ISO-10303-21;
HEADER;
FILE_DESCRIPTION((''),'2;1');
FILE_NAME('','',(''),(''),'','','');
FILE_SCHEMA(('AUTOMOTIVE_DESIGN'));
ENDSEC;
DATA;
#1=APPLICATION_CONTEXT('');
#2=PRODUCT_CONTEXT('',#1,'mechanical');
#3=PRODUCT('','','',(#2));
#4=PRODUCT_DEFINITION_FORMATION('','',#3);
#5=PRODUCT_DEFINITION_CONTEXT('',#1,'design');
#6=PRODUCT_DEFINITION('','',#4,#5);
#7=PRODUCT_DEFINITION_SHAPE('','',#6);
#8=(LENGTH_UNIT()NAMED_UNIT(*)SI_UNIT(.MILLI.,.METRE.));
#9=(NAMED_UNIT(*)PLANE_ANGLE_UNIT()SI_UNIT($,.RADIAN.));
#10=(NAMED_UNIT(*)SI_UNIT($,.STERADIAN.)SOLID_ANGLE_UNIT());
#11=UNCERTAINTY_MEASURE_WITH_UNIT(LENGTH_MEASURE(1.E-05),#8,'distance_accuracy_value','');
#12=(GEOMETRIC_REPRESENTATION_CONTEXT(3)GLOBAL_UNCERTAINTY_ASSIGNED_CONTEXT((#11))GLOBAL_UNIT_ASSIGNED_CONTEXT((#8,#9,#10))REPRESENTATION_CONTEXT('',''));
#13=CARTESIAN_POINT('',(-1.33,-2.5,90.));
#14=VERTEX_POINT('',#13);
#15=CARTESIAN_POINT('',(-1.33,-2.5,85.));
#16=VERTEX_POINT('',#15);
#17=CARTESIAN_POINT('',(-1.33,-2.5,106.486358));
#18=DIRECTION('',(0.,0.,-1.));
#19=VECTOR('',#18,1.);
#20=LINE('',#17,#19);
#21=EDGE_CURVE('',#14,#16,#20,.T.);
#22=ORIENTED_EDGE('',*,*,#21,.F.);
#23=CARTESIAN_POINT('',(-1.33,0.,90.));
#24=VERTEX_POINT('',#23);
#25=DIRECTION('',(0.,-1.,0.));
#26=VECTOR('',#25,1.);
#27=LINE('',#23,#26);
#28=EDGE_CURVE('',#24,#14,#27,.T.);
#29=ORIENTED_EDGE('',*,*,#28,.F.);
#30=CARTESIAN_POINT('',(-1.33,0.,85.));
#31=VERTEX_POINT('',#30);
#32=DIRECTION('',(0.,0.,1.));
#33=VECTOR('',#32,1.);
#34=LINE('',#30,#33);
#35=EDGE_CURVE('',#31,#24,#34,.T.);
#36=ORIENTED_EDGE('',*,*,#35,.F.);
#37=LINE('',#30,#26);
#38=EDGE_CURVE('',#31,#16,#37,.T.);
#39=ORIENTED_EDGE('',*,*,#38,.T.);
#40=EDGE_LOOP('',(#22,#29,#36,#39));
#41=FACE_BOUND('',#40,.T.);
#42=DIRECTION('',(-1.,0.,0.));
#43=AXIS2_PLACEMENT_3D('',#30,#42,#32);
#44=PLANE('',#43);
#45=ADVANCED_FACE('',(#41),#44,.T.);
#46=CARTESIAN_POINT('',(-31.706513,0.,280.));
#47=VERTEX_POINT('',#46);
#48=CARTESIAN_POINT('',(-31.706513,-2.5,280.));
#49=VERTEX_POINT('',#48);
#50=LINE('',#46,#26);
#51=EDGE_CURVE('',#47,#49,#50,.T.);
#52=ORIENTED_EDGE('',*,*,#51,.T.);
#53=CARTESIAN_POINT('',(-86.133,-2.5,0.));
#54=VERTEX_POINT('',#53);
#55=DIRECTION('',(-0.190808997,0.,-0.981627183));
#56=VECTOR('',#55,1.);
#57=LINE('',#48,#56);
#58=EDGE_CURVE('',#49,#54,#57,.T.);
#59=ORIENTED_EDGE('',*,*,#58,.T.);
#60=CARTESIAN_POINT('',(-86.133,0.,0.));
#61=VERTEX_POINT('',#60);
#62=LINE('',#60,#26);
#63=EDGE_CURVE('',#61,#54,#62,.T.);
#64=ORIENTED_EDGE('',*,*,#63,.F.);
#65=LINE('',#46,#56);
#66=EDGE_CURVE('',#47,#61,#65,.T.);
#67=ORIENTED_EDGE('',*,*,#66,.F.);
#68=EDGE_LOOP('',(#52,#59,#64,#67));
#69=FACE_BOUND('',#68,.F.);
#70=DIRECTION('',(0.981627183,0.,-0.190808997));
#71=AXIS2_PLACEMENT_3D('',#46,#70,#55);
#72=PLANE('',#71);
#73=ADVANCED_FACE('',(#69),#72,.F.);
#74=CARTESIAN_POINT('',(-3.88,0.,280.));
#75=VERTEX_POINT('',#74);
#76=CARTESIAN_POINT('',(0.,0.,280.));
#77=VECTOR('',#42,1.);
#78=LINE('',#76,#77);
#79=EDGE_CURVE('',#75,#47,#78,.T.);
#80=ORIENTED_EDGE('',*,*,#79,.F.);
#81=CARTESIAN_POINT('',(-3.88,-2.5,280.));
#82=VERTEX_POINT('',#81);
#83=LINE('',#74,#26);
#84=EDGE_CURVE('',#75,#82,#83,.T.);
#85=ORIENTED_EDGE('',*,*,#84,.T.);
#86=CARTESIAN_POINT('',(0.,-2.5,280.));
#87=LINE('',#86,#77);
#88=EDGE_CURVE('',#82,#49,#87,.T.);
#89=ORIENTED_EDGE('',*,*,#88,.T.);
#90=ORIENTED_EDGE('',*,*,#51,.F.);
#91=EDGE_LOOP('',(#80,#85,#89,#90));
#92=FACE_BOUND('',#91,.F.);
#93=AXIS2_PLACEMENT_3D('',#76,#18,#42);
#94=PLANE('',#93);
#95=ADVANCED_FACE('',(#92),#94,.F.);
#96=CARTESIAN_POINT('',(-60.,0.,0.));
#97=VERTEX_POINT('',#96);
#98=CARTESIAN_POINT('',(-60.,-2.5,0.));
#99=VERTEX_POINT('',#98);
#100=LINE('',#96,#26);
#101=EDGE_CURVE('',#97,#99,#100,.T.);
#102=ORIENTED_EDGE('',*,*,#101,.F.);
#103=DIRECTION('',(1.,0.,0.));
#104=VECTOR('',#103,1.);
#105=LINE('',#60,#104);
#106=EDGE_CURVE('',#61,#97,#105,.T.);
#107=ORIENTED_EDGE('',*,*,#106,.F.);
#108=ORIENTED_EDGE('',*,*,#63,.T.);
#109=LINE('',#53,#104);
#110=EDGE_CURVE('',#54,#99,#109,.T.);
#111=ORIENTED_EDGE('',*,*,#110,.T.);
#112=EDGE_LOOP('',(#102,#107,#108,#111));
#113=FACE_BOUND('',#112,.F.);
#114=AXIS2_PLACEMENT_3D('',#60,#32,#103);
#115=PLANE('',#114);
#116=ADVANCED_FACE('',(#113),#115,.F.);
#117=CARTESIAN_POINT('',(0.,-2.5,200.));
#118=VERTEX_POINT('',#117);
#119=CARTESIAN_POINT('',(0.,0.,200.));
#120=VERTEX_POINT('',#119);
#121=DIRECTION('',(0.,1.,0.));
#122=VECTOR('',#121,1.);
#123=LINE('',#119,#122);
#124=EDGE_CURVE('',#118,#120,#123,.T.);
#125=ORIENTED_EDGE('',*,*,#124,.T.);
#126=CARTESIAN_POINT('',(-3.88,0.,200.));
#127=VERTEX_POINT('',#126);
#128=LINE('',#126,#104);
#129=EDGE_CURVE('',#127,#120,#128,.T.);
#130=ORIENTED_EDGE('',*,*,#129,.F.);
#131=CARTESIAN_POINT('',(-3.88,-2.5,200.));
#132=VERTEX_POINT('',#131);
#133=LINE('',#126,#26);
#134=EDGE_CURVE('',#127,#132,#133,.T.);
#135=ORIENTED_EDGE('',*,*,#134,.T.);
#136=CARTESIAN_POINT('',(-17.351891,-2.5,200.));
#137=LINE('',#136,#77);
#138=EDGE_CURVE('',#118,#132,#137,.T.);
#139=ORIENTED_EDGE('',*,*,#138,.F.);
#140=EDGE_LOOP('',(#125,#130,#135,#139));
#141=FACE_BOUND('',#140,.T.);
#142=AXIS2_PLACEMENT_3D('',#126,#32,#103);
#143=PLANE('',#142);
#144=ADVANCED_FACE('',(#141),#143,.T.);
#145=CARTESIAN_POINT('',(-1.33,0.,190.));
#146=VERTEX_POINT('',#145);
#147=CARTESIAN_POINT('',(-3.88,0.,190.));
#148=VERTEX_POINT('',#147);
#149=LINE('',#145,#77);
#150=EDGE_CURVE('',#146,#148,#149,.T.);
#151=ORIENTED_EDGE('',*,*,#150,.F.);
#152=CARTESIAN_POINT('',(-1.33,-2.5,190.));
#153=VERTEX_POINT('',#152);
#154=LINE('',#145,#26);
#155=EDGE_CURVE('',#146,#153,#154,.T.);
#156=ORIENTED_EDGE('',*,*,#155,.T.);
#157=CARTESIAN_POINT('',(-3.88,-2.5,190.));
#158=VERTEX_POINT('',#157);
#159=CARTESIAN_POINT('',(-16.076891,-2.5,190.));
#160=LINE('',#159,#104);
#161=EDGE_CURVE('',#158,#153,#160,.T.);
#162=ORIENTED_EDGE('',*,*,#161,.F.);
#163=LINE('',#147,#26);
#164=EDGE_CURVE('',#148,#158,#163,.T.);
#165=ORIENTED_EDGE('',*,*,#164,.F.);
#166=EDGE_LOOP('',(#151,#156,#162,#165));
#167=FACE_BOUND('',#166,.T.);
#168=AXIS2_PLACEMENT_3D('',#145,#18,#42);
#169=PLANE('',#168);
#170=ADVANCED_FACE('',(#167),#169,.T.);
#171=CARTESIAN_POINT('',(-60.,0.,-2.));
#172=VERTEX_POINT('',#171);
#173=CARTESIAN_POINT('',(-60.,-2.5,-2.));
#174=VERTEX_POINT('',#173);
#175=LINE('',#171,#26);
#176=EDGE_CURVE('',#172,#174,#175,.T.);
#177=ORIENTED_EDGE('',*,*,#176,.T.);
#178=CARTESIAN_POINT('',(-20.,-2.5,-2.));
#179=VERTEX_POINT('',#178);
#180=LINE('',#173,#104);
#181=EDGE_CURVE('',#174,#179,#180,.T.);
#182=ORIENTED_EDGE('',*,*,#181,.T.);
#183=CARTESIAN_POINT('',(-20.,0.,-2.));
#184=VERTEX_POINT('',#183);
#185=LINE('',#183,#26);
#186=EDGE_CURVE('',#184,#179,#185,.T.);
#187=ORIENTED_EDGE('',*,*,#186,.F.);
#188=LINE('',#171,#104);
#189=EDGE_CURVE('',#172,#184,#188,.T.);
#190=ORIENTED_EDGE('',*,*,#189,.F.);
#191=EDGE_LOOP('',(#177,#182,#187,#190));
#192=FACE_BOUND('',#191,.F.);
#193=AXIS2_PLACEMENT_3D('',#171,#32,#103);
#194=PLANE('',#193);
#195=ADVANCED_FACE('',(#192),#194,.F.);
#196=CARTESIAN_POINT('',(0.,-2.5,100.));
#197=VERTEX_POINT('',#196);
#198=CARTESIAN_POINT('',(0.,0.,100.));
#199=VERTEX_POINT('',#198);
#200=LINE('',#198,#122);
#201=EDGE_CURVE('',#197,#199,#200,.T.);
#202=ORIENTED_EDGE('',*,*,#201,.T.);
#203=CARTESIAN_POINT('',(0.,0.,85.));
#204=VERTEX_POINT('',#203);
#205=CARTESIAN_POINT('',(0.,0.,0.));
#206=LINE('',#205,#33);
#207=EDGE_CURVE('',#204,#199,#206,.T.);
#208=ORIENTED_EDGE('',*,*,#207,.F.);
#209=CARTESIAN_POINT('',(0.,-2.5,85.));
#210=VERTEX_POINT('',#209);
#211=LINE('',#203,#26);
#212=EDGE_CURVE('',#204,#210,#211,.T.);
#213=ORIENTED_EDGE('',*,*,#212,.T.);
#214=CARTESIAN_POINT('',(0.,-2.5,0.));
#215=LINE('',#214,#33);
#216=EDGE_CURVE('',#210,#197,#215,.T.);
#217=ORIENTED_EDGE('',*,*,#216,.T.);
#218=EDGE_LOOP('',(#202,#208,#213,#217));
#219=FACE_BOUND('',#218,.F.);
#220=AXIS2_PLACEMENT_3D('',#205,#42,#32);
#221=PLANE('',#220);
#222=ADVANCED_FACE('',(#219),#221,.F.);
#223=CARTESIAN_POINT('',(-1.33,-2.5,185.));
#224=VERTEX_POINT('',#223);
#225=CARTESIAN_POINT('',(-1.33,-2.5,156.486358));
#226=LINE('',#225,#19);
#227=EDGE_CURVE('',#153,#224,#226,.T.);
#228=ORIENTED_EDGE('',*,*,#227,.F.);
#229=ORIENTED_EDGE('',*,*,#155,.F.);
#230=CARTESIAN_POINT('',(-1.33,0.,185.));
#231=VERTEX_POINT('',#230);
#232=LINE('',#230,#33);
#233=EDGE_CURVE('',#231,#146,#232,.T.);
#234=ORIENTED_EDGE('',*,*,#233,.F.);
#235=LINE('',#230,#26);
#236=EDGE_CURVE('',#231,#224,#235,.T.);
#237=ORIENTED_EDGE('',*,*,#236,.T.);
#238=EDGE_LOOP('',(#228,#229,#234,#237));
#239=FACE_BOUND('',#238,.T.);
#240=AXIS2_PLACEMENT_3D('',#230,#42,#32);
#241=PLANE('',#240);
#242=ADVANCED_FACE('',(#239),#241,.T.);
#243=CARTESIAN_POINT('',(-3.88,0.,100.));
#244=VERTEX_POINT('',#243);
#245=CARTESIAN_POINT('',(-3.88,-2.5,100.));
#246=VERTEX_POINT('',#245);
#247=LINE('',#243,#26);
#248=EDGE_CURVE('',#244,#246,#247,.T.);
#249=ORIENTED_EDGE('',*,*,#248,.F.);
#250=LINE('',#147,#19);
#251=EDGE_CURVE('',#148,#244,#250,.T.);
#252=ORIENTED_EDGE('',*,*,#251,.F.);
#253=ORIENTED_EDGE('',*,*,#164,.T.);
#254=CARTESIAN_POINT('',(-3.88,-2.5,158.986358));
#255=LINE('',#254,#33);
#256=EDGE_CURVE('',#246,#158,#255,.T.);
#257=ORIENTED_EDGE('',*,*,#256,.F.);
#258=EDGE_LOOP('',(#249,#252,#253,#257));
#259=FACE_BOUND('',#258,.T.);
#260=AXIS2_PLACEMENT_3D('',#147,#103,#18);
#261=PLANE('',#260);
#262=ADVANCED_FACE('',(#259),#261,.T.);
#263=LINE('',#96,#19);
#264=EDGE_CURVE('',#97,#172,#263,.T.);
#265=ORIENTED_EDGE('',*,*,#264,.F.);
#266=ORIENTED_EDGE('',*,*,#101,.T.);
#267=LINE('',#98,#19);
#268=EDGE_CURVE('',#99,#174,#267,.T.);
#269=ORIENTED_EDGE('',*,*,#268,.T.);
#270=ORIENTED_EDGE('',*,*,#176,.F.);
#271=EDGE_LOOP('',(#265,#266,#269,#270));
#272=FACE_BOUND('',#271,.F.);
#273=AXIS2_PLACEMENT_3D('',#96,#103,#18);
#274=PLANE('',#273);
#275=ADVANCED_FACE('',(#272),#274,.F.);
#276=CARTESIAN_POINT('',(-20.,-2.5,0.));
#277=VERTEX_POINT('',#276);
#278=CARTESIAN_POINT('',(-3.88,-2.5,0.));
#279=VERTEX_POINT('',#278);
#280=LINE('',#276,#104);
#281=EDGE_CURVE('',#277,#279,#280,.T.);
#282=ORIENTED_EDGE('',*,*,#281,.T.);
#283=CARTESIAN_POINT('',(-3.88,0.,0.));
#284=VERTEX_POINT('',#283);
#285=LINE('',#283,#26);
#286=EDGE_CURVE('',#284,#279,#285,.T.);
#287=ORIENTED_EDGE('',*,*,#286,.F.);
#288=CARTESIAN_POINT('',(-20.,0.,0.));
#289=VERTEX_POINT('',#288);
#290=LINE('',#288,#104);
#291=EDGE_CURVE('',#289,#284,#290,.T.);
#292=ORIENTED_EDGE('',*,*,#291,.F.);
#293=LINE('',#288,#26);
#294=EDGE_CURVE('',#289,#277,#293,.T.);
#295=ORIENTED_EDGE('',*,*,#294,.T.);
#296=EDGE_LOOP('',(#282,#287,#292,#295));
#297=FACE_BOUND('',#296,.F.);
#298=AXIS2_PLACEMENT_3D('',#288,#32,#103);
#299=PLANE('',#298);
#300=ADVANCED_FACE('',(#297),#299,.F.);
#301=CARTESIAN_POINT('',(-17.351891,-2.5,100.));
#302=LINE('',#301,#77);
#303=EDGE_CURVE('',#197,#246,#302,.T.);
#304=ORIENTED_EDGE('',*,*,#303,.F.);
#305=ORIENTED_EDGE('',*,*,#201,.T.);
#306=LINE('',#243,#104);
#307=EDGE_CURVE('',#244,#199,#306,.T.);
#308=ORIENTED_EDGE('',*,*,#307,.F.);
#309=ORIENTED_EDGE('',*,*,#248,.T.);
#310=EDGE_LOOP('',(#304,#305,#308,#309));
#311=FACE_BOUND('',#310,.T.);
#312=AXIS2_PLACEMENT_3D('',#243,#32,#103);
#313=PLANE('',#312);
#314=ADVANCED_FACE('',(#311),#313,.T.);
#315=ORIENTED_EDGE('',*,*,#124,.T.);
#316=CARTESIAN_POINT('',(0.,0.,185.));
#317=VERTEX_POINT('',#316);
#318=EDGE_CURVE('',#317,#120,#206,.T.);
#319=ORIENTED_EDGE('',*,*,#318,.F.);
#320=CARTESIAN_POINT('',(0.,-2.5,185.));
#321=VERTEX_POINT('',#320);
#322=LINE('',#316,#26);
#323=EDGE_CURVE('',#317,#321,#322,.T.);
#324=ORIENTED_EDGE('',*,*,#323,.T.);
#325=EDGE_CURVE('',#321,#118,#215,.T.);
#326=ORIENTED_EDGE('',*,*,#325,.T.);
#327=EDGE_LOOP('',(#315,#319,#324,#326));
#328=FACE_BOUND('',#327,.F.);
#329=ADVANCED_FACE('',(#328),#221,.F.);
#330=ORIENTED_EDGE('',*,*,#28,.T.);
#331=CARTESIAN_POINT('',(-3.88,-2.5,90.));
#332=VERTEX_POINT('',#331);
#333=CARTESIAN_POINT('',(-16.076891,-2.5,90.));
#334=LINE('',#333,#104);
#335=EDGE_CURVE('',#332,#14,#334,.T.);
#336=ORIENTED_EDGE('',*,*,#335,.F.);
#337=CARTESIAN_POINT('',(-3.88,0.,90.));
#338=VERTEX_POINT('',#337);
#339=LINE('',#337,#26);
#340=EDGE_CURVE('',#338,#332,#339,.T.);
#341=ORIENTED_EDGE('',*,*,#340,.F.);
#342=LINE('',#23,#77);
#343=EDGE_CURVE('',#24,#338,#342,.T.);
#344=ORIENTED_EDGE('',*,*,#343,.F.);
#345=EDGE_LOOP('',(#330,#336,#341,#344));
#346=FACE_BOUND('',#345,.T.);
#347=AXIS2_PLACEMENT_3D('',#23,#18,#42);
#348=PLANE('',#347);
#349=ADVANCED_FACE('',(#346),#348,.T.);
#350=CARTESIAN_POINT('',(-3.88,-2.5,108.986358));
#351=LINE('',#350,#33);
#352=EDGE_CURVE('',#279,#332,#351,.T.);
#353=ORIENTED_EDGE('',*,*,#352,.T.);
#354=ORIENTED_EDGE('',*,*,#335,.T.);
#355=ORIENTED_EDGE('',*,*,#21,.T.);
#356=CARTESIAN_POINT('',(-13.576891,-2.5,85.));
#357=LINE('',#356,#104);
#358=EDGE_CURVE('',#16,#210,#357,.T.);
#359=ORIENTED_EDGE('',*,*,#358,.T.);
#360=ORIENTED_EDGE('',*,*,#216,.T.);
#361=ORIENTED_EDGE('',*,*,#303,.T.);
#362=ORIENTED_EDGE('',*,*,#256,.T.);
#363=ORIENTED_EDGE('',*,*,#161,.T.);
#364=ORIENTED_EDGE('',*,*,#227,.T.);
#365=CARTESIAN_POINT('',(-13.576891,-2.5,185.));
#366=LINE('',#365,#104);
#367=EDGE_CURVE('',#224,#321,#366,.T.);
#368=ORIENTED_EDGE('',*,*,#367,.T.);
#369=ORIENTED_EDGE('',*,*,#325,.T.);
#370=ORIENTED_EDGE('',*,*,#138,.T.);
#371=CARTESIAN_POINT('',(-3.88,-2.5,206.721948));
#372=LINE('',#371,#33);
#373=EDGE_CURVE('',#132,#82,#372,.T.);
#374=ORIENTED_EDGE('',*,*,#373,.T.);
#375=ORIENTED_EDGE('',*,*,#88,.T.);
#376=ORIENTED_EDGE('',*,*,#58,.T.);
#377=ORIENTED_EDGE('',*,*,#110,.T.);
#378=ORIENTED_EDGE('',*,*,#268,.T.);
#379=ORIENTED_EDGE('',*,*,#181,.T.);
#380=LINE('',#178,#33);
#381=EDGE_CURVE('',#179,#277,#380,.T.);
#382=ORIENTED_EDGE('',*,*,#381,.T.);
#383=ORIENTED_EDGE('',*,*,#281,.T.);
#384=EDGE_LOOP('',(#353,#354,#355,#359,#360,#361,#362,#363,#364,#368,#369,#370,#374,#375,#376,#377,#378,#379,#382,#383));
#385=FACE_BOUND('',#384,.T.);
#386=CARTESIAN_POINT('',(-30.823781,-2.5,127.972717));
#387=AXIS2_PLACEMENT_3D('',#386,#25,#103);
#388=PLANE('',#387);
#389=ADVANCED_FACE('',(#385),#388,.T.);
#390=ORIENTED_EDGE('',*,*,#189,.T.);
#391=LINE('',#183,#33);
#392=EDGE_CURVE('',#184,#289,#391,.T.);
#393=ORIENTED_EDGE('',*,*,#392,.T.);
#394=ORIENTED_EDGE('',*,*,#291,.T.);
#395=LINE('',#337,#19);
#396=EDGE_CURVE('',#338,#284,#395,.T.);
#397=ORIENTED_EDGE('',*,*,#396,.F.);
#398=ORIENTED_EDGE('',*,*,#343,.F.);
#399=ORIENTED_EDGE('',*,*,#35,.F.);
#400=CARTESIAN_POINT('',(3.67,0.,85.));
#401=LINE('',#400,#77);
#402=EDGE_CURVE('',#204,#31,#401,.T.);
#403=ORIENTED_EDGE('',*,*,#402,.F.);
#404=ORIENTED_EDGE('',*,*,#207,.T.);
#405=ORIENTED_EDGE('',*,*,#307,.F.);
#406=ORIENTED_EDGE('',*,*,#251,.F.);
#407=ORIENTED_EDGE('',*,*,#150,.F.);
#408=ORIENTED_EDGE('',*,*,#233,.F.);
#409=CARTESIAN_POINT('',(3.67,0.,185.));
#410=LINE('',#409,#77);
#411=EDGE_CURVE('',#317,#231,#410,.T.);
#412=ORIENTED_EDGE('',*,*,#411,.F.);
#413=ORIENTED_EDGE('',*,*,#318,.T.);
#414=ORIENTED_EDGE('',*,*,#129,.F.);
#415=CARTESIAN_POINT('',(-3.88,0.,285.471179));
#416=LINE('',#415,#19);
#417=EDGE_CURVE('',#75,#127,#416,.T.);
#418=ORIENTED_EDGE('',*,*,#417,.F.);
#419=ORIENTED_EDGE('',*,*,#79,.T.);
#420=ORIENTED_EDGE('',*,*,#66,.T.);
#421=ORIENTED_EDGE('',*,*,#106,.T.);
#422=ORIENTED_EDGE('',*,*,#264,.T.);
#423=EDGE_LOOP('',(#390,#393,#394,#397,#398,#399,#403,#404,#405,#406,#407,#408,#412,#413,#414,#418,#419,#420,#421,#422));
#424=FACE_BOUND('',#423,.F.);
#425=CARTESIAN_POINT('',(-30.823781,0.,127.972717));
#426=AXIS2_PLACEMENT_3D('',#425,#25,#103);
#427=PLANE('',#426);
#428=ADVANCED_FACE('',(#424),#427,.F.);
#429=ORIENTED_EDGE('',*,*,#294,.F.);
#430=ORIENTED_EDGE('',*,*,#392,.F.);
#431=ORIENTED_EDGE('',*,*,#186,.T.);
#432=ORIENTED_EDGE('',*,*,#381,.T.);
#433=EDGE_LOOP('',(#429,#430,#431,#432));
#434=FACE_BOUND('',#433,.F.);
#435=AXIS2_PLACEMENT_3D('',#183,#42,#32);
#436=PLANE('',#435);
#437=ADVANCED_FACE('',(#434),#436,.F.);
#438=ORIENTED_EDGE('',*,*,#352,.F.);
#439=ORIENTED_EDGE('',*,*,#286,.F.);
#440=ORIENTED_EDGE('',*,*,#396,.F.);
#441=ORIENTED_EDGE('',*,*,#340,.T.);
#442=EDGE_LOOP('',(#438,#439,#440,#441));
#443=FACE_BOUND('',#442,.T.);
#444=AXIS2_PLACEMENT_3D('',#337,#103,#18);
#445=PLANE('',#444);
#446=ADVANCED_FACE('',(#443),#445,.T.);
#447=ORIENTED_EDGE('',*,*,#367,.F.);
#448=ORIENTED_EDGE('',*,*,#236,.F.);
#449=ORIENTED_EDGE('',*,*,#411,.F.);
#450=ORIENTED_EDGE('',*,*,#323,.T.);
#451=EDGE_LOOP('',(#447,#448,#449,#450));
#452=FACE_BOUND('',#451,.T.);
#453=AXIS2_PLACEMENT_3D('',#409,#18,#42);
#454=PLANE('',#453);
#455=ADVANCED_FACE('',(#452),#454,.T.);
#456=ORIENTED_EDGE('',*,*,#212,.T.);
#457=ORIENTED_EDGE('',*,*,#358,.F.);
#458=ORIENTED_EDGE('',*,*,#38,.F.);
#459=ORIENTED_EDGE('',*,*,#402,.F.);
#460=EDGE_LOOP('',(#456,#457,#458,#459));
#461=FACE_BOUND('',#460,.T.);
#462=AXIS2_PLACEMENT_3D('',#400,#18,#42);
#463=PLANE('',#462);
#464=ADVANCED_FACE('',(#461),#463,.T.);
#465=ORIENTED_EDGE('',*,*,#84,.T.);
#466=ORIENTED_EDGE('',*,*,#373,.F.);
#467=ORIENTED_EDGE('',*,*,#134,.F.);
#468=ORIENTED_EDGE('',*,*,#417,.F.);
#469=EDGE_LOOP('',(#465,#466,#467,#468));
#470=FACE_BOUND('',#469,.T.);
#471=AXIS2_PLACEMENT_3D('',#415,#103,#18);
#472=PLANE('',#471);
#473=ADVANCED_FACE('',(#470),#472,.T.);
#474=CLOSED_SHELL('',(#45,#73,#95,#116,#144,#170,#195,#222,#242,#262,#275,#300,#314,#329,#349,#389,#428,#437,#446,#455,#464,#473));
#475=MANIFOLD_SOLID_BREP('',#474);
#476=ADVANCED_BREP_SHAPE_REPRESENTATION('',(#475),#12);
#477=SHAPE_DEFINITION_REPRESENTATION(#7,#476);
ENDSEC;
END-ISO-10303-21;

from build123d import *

# Parameters (mm, degrees)
F1_DEPTH = 2.5
F3_DEPTH = 25


with BuildPart() as f1:
    # F0 (on Front) → F1 (new body)
    with BuildSketch(Plane.XZ):
        Polygon((-31.706513, 280), (-86.133, 0), (-60, 0), (-60, -2), (-20, -2), (-20, 0), (0, 0), (0, 280), align=None)
    extrude(amount=F1_DEPTH)

    # F2 (on Front) → F3 (cut)
    with BuildSketch(Plane.XZ):
        Polygon((25.523714, 0), (25.523714, 285.471179), (-3.88, 285.471179), (-3.88, 200), (3.67, 200), (3.67, 185), (-1.33, 185), (-1.33, 190), (-3.88, 190), (-3.88, 100), (3.67, 100), (3.67, 85), (-1.33, 85), (-1.33, 90), (-3.88, 90), (-3.88, 0), align=None)
    extrude(amount=F3_DEPTH, mode=Mode.SUBTRACT)


solid = f1.part
